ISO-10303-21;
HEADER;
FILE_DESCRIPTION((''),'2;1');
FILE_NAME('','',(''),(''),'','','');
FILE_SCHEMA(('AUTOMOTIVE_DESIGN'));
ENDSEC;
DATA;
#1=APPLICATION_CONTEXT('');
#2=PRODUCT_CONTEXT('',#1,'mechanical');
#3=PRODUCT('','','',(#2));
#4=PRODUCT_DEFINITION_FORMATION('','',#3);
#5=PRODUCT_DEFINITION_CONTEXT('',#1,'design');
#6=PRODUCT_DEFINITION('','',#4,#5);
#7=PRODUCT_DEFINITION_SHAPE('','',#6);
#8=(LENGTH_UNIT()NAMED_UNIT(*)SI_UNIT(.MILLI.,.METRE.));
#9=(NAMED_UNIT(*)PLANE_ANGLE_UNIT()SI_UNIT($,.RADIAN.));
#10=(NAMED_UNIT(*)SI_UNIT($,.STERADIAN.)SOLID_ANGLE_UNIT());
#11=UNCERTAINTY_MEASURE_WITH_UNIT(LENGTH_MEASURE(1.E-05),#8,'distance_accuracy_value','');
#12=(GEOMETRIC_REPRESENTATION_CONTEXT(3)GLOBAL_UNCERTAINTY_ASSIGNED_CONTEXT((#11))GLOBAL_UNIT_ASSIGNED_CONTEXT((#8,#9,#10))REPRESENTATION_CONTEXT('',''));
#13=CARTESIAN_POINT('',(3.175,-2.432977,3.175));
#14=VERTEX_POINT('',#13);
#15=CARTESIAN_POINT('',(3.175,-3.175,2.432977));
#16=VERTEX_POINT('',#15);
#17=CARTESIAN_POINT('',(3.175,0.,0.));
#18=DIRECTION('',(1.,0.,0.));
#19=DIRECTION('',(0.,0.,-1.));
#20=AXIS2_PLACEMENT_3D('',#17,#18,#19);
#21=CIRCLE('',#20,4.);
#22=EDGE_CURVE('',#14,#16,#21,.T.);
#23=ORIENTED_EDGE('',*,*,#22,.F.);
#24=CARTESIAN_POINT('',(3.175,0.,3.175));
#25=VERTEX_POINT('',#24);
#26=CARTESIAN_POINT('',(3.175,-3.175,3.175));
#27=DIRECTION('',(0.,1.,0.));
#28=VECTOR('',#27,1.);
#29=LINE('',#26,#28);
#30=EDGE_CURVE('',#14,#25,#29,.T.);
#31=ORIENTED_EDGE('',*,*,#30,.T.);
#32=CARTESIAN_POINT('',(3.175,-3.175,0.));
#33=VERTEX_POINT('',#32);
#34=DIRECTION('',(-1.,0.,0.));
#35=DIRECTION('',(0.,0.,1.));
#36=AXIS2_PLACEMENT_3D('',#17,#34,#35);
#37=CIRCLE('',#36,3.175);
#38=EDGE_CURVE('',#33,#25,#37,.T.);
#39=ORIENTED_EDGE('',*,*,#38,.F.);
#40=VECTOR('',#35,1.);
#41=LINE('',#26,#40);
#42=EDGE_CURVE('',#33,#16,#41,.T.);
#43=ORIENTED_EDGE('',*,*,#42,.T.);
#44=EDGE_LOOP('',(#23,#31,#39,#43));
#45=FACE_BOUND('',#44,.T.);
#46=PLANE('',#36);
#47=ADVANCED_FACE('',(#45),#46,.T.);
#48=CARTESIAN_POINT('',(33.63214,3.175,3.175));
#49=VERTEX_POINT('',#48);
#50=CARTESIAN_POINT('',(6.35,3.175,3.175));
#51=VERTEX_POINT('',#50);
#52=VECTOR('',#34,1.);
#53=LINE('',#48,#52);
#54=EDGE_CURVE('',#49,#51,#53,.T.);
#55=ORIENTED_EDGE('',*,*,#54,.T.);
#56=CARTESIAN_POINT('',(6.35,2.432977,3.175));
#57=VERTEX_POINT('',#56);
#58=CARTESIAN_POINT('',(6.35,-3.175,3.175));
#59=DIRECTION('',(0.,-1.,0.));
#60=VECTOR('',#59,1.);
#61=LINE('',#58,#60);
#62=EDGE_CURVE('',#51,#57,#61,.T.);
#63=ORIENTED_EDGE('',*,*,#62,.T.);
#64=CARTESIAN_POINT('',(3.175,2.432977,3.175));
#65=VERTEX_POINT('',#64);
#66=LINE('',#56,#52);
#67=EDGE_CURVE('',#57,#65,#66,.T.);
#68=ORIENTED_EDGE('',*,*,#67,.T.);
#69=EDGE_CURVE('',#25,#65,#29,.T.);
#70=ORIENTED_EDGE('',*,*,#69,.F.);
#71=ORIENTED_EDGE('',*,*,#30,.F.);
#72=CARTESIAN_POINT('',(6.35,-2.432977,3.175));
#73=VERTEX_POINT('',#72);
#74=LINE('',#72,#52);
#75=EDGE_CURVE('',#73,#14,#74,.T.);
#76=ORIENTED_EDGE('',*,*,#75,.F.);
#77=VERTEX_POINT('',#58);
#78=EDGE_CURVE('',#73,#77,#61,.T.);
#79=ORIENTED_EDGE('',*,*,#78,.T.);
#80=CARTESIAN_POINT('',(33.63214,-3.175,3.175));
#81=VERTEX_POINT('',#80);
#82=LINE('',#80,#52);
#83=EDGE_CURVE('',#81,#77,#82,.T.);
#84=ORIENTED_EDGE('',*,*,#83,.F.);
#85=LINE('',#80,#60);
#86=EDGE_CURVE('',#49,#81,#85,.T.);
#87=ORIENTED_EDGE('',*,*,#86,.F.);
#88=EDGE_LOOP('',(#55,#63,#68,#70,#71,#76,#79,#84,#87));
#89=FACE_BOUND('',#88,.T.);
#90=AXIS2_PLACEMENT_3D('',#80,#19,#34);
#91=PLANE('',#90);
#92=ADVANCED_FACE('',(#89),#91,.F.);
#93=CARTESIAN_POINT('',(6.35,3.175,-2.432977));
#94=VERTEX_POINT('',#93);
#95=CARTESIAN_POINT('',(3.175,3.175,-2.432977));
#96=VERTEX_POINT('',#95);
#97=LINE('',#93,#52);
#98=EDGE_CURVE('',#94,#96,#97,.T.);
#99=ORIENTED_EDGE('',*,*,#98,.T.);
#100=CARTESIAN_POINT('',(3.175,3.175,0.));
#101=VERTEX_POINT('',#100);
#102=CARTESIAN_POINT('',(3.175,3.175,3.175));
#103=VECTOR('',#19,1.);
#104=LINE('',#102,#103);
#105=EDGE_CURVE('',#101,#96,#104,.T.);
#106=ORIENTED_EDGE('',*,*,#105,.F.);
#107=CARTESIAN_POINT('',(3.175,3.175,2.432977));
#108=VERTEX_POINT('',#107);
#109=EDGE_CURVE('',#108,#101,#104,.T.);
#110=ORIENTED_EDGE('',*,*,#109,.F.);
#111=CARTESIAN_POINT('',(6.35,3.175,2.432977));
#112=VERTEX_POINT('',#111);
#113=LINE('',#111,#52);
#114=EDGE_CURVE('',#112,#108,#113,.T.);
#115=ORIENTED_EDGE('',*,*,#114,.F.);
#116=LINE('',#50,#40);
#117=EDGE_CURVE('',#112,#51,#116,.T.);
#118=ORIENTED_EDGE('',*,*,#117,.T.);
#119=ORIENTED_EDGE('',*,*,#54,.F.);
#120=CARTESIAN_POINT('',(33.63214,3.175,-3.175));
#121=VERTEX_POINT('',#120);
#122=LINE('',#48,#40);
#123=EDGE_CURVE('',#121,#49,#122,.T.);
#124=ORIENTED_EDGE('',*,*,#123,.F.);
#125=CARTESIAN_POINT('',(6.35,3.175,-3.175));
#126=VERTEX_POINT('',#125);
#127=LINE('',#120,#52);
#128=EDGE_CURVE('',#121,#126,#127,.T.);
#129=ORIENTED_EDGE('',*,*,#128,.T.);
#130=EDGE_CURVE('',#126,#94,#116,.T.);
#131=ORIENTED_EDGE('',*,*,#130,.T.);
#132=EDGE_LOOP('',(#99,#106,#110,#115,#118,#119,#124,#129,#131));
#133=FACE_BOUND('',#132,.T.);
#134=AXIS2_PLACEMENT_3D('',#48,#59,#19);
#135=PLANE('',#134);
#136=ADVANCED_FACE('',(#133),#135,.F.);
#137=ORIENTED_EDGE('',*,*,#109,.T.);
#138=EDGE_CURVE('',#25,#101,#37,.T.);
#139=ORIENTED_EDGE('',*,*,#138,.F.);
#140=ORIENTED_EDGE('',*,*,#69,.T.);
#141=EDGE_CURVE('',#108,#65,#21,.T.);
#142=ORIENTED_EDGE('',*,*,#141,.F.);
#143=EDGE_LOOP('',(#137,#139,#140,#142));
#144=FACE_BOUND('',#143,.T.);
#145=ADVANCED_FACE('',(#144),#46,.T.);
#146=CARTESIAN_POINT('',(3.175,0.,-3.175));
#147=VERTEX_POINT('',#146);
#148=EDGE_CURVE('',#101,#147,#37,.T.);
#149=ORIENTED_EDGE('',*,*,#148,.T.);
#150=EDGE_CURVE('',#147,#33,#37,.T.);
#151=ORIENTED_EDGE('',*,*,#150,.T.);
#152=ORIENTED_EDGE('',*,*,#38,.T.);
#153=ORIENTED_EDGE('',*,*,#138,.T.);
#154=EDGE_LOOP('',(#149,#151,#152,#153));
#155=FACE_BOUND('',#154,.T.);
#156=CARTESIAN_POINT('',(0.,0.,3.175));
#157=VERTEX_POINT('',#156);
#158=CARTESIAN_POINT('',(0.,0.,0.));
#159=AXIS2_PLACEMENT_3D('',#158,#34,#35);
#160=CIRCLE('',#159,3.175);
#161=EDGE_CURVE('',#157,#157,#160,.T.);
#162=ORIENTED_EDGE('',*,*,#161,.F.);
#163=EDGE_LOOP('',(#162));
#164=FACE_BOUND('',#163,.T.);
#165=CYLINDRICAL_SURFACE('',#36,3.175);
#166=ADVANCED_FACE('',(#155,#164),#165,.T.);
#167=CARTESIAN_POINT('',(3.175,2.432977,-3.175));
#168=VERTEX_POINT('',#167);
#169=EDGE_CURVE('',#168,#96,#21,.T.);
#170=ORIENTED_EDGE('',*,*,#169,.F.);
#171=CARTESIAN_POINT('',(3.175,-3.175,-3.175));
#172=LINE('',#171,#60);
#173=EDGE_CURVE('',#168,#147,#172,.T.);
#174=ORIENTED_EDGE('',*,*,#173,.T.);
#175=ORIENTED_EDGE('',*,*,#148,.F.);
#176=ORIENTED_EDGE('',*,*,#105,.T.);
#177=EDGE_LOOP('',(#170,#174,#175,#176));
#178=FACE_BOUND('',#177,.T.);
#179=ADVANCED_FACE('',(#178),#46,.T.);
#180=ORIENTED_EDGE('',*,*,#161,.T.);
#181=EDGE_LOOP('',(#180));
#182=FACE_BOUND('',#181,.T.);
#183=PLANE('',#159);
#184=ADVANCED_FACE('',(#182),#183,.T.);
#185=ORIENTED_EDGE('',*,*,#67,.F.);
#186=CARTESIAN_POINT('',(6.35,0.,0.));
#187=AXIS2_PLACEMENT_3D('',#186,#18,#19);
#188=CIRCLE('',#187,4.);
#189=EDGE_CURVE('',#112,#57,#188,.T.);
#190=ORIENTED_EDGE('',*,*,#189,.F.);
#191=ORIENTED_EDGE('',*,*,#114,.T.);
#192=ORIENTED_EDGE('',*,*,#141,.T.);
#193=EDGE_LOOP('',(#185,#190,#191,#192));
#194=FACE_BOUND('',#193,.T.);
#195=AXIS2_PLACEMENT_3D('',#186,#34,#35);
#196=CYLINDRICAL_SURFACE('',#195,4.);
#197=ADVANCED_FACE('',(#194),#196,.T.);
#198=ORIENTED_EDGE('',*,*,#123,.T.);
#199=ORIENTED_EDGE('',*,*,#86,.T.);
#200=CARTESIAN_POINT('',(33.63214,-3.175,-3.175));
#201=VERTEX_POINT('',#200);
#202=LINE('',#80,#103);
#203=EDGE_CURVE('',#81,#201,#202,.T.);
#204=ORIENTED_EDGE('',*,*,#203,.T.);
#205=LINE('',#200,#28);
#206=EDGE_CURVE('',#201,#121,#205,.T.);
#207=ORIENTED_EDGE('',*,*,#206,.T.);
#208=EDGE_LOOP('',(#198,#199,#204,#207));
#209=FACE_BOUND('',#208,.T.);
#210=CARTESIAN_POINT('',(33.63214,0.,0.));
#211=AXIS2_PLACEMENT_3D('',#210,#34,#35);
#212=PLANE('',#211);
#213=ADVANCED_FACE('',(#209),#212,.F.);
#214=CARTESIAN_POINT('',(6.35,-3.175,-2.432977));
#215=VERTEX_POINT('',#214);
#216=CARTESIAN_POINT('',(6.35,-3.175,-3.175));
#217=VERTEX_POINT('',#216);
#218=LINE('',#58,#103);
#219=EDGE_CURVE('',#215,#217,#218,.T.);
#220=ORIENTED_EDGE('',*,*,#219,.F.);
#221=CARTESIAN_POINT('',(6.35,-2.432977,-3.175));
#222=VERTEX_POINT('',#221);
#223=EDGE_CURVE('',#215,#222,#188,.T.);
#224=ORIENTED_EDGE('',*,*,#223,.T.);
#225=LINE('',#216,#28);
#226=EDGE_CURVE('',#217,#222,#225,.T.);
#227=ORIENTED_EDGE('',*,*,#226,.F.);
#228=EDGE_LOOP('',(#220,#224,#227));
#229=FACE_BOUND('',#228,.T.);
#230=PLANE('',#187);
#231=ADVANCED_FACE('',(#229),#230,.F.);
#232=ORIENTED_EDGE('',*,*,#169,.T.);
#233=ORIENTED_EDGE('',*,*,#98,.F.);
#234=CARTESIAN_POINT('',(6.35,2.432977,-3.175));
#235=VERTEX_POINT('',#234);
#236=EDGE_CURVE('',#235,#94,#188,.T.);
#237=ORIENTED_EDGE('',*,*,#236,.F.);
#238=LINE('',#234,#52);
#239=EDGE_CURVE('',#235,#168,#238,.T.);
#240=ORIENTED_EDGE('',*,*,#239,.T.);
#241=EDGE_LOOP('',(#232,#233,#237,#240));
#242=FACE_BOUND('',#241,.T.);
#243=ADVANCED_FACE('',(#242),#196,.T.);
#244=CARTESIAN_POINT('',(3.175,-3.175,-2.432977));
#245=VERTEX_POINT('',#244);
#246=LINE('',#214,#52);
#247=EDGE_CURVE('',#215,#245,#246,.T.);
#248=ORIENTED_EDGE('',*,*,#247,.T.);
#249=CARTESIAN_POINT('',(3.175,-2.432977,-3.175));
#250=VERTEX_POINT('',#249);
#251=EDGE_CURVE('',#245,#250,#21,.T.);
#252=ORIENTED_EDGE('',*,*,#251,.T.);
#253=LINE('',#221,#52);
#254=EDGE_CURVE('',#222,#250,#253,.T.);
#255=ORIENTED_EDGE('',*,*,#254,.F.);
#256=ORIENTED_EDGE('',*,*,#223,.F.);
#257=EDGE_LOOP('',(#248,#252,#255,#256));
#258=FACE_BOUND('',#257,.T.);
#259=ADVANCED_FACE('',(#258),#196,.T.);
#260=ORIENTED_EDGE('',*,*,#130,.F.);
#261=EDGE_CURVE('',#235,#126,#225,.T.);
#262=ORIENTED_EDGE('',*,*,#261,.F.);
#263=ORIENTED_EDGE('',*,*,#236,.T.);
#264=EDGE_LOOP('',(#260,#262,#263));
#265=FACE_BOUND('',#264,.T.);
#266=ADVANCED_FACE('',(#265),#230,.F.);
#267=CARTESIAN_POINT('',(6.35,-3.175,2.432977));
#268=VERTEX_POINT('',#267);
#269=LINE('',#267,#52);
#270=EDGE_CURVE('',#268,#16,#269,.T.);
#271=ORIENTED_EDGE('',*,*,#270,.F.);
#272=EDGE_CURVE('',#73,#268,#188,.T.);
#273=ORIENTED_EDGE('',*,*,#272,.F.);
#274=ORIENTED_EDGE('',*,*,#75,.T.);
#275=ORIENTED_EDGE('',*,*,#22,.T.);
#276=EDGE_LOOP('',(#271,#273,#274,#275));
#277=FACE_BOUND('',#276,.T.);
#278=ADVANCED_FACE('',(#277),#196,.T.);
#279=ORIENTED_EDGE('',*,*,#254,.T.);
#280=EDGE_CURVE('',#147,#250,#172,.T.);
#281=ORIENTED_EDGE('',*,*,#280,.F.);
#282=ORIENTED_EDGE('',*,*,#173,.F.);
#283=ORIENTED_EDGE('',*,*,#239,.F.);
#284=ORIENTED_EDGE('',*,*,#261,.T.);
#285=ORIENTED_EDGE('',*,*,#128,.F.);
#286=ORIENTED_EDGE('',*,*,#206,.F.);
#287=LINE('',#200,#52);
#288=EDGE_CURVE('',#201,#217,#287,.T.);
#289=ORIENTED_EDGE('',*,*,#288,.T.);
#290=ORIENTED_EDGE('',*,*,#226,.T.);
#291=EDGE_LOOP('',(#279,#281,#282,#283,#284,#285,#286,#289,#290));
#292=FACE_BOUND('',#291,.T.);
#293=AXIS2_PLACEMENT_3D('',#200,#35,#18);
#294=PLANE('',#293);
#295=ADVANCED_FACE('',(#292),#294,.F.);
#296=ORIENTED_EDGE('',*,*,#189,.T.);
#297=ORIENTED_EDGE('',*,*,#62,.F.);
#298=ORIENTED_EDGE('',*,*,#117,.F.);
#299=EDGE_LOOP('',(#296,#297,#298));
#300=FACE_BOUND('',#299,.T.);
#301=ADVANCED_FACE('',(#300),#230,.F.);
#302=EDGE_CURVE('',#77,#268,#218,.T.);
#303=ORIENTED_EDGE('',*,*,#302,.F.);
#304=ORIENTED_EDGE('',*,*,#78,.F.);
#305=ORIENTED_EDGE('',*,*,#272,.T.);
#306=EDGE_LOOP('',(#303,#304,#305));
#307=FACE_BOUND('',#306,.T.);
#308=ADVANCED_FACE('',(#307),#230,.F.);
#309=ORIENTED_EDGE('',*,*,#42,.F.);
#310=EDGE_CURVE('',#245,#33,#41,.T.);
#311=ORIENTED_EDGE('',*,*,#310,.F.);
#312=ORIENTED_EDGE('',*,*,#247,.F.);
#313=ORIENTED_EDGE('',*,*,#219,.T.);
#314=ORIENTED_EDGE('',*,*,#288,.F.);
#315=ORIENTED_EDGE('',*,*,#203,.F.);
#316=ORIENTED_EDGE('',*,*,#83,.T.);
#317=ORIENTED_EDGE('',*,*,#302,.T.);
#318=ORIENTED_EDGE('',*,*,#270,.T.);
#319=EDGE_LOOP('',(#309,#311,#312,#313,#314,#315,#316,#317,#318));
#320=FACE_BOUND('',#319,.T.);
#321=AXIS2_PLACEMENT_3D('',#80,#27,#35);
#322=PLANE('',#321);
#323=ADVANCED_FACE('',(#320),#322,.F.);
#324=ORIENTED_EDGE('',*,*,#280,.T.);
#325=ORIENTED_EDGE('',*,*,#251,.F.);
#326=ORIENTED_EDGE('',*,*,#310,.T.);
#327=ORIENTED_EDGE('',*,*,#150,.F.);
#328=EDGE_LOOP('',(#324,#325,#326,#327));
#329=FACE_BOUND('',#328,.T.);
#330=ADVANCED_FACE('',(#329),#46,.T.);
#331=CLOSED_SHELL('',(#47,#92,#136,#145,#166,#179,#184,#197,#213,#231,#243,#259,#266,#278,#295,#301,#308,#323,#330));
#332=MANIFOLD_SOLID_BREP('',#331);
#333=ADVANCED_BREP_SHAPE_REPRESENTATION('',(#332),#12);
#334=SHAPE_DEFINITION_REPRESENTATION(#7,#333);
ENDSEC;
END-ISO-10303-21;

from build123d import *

# Parameters (mm, degrees)
SKETCH1_W           = 6.35
SKETCH1_H           = 6.35
BOSS_EXTRUDE1_DEPTH = 33.63214
SKETCH3_W           = 9.525
SKETCH3_H           = 9.525
SKETCH3_R           = 3.175
CUT_EXTRUDE2_DEPTH  = 3.175
SKETCH4_W           = 7.9375
SKETCH4_H           = 7.9375
CUT_EXTRUDE3_DEPTH  = 3.175


with BuildPart() as part:
    # Sketch1 → Boss-Extrude1 (new body)
    with BuildSketch(Plane(origin=(0, 0, 0), x_dir=(0, 0, -1), z_dir=(1, 0, 0))):
        Rectangle(SKETCH1_W, SKETCH1_H)
    extrude(amount=BOSS_EXTRUDE1_DEPTH)

    # Sketch3 → Cut-Extrude2 (cut)
    with BuildSketch(Plane.ZY):
        Rectangle(SKETCH3_W, SKETCH3_H)
        Circle(SKETCH3_R, mode=Mode.SUBTRACT)
    extrude(amount=-CUT_EXTRUDE2_DEPTH, mode=Mode.SUBTRACT)

    # Sketch4 → Cut-Extrude3 (cut)
    with BuildSketch(Plane(origin=(3.175, 0, 0), x_dir=(0, 0, -1), z_dir=(1, 0, 0))):
        Rectangle(SKETCH4_W, SKETCH4_H)
        with BuildLine():
            Line((3.175, -2.432976572), (3.175, 2.432976572))
            ThreePointArc((3.175, 2.432976572), (2.828427125, 2.828427125), (2.432976572, 3.175))
            Line((2.432976572, 3.175), (-2.432976572, 3.175))
            ThreePointArc((-2.432976572, 3.175), (-2.828427125, 2.828427125), (-3.175, 2.432976572))
            Line((-3.175, 2.432976572), (-3.175, -2.432976572))
            ThreePointArc((-3.175, -2.432976572), (-2.828427125, -2.828427125), (-2.432976572, -3.175))
            Line((-2.432976572, -3.175), (2.432976572, -3.175))
            ThreePointArc((2.432976572, -3.175), (2.828427125, -2.828427125), (3.175, -2.432976572))
        make_face(mode=Mode.SUBTRACT)
    extrude(amount=CUT_EXTRUDE3_DEPTH, mode=Mode.SUBTRACT)


solid = part.part
